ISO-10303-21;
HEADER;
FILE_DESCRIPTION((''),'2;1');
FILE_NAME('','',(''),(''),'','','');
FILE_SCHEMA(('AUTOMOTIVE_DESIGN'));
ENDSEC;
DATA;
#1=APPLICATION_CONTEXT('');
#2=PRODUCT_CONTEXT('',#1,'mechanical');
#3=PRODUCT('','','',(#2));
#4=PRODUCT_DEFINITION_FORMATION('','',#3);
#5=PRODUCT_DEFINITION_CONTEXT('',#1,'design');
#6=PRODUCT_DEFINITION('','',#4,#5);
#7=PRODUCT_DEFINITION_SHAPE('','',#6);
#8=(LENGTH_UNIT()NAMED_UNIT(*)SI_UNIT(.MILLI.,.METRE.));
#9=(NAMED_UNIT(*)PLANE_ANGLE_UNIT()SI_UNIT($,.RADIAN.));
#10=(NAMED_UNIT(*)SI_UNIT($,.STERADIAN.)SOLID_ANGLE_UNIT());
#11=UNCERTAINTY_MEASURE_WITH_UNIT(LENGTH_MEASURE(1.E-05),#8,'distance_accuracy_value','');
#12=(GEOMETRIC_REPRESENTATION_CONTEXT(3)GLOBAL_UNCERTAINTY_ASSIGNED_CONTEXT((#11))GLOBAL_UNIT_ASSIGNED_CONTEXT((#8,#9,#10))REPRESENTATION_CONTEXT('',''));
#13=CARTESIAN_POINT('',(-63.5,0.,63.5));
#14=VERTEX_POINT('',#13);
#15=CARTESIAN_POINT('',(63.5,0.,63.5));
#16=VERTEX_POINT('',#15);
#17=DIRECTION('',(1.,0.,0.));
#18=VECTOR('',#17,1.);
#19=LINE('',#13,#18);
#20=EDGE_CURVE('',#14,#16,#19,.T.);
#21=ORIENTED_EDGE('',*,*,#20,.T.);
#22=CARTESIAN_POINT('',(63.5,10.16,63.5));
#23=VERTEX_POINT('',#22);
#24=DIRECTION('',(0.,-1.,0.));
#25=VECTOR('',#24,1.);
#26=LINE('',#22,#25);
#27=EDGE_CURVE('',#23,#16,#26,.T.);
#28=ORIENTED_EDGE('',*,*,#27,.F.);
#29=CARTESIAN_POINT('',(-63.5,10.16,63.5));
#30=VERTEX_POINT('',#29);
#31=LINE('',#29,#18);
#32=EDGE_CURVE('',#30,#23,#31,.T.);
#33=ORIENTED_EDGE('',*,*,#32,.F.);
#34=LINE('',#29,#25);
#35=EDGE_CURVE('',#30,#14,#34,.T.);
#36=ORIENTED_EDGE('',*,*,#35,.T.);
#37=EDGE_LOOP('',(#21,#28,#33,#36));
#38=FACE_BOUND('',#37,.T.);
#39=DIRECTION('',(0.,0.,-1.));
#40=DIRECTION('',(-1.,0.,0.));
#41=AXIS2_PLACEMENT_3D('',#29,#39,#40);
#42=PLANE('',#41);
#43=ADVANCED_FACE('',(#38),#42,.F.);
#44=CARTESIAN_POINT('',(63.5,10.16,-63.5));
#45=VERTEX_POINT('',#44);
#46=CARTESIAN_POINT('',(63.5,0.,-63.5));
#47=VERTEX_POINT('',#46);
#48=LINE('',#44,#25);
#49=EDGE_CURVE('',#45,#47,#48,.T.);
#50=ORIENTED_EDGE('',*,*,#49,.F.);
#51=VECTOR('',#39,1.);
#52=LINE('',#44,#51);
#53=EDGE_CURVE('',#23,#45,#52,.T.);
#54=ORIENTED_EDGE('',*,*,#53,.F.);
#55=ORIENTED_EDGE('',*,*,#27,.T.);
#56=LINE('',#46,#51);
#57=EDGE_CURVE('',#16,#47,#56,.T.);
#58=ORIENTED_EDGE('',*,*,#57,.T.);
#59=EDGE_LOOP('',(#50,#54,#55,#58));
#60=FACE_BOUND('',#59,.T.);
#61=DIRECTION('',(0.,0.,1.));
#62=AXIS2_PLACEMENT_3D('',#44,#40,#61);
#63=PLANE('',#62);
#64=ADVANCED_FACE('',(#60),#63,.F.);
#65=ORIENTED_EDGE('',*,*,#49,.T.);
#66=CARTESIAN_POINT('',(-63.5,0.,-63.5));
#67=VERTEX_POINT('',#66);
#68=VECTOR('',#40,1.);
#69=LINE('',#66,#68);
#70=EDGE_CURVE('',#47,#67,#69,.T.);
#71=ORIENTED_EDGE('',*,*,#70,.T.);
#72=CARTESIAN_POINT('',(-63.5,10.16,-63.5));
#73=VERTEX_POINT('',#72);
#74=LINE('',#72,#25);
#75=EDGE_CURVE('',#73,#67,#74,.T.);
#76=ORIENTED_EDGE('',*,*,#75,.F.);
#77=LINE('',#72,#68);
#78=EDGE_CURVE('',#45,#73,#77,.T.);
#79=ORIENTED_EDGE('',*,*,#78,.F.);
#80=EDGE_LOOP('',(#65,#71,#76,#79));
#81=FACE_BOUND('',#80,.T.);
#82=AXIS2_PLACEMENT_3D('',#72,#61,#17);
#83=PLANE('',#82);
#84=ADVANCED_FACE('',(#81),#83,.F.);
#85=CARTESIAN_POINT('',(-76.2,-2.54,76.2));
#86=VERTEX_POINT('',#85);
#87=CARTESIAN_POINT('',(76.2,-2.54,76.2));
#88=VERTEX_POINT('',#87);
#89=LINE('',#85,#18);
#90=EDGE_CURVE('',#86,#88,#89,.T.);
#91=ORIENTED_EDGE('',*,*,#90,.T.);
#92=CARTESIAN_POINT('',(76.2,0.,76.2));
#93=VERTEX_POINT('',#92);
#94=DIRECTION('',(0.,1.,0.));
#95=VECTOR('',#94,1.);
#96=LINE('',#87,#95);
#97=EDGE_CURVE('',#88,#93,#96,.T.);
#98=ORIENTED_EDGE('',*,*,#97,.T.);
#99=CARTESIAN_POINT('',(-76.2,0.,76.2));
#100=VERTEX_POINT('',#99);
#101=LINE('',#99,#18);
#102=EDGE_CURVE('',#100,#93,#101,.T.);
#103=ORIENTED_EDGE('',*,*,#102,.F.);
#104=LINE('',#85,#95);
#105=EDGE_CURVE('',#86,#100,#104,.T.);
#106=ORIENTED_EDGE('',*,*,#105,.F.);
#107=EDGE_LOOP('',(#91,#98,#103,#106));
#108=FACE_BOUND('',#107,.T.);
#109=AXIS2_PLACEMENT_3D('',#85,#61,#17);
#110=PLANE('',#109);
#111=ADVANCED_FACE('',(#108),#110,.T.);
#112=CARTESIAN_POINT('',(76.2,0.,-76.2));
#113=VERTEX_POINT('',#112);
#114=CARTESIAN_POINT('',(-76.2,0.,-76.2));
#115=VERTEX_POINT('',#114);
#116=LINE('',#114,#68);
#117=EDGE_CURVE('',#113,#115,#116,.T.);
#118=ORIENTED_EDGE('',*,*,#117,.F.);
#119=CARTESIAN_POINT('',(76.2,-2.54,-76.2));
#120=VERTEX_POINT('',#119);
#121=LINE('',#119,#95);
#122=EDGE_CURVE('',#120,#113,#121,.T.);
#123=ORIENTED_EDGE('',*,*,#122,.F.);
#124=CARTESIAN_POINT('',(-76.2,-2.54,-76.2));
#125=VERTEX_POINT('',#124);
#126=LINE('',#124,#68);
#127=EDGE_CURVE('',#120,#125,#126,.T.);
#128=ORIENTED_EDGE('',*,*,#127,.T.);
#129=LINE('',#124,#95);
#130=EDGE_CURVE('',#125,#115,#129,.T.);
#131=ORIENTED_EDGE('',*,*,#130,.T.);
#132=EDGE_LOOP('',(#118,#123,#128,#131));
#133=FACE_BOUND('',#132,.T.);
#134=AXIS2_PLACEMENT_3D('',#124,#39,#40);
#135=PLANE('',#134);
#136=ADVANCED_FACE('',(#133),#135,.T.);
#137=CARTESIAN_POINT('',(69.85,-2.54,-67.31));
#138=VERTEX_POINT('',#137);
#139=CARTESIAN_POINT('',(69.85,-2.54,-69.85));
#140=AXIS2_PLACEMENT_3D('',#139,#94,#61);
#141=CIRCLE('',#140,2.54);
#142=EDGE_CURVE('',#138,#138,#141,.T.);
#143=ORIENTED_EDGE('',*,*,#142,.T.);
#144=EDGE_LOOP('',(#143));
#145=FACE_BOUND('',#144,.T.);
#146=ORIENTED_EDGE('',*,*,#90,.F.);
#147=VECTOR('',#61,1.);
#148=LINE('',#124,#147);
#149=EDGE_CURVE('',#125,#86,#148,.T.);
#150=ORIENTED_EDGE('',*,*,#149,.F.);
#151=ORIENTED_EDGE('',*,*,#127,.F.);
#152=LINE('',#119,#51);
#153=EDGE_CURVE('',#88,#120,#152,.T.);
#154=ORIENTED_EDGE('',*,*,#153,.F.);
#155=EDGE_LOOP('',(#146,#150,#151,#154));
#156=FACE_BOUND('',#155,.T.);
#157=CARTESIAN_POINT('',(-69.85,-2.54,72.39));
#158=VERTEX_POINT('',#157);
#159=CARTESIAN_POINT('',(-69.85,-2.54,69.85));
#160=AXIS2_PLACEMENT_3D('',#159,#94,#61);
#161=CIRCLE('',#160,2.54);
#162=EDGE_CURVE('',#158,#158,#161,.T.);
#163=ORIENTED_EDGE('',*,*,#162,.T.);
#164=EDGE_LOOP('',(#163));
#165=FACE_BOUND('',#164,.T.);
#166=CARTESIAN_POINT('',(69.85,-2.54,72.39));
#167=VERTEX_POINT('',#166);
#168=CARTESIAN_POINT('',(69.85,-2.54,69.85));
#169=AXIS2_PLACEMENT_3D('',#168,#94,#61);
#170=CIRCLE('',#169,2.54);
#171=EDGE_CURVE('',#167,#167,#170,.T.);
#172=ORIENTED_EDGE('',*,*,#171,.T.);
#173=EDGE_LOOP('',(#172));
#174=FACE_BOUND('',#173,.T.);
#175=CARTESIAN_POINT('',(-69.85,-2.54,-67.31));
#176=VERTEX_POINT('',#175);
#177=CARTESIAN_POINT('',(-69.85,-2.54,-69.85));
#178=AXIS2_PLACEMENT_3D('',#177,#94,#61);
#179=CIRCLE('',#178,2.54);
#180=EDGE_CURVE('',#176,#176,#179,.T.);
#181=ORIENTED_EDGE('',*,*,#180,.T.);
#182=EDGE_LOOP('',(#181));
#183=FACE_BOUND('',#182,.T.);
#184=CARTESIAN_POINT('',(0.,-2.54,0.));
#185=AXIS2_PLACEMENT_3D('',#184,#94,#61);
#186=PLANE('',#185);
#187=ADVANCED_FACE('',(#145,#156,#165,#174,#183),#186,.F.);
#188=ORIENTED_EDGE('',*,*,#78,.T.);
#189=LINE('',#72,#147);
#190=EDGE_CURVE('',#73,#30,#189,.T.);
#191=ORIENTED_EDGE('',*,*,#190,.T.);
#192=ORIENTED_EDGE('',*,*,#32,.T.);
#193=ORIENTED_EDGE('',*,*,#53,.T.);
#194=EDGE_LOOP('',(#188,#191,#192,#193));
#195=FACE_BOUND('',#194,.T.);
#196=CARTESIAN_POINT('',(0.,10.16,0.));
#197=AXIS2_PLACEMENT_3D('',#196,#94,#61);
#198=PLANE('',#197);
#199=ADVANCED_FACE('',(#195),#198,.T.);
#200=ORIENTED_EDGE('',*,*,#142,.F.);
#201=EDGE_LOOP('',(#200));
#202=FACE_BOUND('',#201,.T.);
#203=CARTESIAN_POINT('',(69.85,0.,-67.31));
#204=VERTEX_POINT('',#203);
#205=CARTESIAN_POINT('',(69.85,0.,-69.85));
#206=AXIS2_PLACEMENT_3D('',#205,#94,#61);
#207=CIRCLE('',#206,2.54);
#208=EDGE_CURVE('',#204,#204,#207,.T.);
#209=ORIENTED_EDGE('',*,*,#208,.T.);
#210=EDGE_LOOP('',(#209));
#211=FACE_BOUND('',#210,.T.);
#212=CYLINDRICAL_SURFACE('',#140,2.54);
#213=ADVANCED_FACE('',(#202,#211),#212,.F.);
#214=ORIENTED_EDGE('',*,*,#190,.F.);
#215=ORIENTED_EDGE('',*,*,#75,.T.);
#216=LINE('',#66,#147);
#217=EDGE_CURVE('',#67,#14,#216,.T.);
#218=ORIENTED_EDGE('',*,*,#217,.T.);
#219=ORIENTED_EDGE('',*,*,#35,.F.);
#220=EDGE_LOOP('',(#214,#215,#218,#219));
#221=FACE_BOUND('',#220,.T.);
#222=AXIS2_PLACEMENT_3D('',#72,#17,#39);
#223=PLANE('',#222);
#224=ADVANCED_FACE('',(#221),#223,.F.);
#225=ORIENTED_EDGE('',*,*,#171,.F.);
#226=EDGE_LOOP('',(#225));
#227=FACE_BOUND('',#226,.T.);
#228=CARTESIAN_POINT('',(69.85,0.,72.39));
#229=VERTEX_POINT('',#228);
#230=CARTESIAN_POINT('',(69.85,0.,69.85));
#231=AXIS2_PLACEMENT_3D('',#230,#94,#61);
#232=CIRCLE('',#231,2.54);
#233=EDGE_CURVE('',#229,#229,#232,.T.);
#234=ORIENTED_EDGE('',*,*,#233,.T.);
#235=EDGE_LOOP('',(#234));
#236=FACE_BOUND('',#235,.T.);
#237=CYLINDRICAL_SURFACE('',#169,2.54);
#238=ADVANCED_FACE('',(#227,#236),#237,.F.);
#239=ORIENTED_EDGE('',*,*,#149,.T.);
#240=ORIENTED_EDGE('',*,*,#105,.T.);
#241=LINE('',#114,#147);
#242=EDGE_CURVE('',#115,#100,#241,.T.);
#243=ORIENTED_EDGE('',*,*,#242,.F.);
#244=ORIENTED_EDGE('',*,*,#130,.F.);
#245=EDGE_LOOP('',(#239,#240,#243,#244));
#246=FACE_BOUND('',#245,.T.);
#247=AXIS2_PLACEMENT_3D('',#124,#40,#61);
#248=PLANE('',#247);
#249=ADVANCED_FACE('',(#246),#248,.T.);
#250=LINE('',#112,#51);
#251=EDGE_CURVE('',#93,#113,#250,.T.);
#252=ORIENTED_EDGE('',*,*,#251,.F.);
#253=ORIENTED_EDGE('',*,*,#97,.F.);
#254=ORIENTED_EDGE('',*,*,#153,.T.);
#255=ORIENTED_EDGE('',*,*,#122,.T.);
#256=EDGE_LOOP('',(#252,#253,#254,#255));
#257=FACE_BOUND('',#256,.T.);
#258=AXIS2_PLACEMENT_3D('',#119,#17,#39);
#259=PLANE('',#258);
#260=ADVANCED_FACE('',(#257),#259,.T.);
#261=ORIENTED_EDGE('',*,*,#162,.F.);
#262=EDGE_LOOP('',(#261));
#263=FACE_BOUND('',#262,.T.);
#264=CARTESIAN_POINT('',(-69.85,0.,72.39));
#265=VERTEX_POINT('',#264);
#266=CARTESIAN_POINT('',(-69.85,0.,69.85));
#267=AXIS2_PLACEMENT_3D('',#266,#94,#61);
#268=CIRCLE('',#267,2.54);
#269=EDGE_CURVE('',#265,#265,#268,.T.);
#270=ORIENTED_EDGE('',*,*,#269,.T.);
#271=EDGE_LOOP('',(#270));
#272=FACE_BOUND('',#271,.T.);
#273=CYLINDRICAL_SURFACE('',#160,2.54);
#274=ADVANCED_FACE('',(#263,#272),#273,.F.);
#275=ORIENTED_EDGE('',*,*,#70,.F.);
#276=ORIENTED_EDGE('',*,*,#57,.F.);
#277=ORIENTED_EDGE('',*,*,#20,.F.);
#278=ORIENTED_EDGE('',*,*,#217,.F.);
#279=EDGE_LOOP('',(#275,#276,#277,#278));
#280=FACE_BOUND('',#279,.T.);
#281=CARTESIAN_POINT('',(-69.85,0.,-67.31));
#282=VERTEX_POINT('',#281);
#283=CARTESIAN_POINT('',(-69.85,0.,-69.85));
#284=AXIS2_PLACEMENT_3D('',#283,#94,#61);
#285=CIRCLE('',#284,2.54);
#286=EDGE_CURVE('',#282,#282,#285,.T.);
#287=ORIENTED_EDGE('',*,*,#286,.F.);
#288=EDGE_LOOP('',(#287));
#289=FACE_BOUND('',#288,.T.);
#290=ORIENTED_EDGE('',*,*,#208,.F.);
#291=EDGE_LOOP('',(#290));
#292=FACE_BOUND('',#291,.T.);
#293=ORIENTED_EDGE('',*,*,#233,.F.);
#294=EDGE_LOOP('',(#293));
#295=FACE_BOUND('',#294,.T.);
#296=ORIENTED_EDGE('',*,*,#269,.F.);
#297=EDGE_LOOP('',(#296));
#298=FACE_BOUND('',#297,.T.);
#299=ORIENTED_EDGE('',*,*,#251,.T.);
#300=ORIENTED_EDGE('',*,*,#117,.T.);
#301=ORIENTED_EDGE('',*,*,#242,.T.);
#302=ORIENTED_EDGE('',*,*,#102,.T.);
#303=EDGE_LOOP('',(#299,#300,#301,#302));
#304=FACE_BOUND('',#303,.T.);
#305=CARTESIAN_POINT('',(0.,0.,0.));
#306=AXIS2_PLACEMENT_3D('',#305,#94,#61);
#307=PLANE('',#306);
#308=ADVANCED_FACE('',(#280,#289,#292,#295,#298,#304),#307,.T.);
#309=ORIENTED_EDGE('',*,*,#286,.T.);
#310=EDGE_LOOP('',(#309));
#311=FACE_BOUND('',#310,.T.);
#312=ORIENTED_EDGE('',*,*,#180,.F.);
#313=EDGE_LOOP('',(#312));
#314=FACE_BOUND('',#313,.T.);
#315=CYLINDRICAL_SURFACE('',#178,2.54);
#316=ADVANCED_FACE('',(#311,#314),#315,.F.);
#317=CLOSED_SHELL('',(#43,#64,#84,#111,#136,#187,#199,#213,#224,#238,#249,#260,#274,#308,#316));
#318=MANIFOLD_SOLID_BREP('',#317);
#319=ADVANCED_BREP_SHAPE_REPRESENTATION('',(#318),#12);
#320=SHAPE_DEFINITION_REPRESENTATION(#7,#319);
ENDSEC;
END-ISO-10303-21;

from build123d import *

# Parameters (mm, degrees)
SKETCH1_W           = 152.4
SKETCH1_H           = 152.4
BOSS_EXTRUDE1_DEPTH = 2.54
SKETCH9_R           = 2.54
CUT_EXTRUDE5_DEPTH  = 3.54
SKETCH10_W          = 127
SKETCH10_H          = 127
BOSS_EXTRUDE2_DEPTH = 10.16


with BuildPart() as part:
    # Sketch1 → Boss-Extrude1 (new body)
    with BuildSketch(Plane(origin=(0, 0, 0), x_dir=(1, 0, 0), z_dir=(0, 1, 0))):
        Rectangle(SKETCH1_W, SKETCH1_H)
    extrude(amount=-BOSS_EXTRUDE1_DEPTH)

    # Sketch9 → Cut-Extrude5 (cut, through all)
    with BuildSketch(Plane(origin=(0, 0, 0), x_dir=(1, 0, 0), z_dir=(0, 1, 0))):
        with Locations((-69.85, -69.85)):
            Circle(SKETCH9_R)
        with Locations((69.85, -69.85)):
            Circle(SKETCH9_R)
        with Locations((69.85, 69.85)):
            Circle(SKETCH9_R)
        with Locations((-69.85, 69.85)):
            Circle(SKETCH9_R)
    extrude(amount=-CUT_EXTRUDE5_DEPTH, mode=Mode.SUBTRACT)

    # Sketch10 → Boss-Extrude2 (add)
    with BuildSketch(Plane(origin=(0, 0, 0), x_dir=(1, 0, 0), z_dir=(0, 1, 0))):
        Rectangle(SKETCH10_W, SKETCH10_H)
    extrude(amount=BOSS_EXTRUDE2_DEPTH)


solid = part.part
